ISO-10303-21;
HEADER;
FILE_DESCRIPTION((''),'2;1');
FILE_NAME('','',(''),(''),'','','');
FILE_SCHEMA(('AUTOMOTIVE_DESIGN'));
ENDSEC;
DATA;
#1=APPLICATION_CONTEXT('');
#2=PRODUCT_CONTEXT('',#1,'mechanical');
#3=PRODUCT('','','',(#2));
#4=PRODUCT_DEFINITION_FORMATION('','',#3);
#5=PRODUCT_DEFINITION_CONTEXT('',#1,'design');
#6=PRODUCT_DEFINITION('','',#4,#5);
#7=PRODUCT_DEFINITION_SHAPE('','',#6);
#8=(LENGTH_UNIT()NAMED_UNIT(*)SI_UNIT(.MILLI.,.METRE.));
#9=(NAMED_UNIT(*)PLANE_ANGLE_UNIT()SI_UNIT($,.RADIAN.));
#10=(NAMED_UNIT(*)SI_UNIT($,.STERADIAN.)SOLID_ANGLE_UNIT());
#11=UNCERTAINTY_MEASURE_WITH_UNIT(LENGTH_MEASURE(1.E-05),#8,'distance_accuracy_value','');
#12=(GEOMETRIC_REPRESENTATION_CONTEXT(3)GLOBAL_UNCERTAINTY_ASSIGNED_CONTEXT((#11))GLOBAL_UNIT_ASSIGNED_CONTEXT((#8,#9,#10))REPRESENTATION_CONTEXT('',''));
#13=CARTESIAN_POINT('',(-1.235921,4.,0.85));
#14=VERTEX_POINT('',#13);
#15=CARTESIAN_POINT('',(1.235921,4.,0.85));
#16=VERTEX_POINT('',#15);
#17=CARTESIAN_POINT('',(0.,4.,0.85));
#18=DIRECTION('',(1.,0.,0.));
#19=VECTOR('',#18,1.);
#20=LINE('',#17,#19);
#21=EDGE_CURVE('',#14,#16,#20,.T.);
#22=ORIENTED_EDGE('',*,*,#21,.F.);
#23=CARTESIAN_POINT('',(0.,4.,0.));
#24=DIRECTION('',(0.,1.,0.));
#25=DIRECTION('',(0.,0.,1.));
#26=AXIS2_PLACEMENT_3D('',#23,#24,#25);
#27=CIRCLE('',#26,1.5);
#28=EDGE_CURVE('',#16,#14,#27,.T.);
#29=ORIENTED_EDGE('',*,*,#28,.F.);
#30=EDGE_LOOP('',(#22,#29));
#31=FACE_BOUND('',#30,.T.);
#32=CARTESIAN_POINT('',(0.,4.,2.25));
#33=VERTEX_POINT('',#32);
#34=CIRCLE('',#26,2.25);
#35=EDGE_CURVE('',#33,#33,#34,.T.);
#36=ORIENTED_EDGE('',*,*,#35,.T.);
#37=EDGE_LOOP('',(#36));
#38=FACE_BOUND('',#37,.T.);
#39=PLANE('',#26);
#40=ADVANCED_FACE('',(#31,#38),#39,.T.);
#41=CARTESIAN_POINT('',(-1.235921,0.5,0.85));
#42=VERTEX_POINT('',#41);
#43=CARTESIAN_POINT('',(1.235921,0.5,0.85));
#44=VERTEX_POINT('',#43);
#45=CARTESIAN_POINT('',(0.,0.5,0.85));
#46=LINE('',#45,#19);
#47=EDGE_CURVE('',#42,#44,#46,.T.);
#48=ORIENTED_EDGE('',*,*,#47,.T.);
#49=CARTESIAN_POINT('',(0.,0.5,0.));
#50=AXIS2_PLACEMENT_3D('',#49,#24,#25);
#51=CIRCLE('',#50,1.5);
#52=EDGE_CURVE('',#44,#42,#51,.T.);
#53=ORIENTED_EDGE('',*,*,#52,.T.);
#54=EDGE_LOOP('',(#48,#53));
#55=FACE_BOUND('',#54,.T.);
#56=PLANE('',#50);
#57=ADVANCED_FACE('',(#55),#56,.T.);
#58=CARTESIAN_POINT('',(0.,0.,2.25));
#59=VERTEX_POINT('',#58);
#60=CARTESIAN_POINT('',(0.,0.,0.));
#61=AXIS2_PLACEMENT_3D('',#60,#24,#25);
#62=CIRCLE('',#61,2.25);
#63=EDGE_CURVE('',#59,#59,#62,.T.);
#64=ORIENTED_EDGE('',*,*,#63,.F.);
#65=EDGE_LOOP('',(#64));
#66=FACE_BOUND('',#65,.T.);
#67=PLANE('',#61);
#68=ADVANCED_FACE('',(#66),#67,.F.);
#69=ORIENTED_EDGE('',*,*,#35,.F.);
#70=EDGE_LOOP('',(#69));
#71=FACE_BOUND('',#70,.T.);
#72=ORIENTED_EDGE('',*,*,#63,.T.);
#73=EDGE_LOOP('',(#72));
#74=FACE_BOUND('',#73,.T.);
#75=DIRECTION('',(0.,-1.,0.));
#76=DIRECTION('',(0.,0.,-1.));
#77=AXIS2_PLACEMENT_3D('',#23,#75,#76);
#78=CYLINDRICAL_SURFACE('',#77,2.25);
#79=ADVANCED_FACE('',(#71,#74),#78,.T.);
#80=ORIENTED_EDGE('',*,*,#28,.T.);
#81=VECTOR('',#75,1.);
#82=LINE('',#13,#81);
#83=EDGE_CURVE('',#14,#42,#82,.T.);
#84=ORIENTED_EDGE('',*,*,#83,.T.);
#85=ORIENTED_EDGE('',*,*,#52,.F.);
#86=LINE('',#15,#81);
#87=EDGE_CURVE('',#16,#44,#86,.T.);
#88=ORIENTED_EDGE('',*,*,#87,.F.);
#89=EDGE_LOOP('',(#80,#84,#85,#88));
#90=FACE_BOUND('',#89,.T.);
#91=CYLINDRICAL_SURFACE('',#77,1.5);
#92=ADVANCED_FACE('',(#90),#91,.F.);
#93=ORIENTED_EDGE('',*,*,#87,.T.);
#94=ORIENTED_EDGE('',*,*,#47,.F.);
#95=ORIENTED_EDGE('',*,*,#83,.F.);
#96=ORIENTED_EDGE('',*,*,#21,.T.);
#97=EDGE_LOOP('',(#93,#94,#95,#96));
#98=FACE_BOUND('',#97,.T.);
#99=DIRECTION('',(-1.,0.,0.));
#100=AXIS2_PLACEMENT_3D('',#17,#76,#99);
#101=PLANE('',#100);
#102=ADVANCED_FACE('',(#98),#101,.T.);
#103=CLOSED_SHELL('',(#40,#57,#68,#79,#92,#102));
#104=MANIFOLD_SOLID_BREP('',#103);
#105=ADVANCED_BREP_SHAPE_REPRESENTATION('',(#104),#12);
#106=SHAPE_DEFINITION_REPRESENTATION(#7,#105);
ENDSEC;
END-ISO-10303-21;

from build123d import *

# Parameters (mm, degrees)
SKETCH1_R           = 2.25
BOSS_EXTRUDE1_DEPTH = 4
SKETCH1_4_R         = 1.5
BOSS_EXTRUDE2_DEPTH = 0.5


with BuildPart() as part:
    # Sketch1 → Boss-Extrude1 (new body)
    with BuildSketch(Plane(origin=(0, 0, 0), x_dir=(1, 0, 0), z_dir=(0, 1, 0))):
        Circle(SKETCH1_R)
        with BuildLine():
            Line((1.235920709, -0.85), (-1.235920709, -0.85))
            ThreePointArc((-1.235920709, -0.85), (0, 1.5), (1.235920709, -0.85))
        make_face(mode=Mode.SUBTRACT)
    extrude(amount=BOSS_EXTRUDE1_DEPTH)

    # Sketch1<4> → Boss-Extrude2 (add)
    with BuildSketch(Plane(origin=(0, 0, 0), x_dir=(1, 0, 0), z_dir=(0, 1, 0))):
        Circle(SKETCH1_4_R)
    extrude(amount=BOSS_EXTRUDE2_DEPTH)


solid = part.part
